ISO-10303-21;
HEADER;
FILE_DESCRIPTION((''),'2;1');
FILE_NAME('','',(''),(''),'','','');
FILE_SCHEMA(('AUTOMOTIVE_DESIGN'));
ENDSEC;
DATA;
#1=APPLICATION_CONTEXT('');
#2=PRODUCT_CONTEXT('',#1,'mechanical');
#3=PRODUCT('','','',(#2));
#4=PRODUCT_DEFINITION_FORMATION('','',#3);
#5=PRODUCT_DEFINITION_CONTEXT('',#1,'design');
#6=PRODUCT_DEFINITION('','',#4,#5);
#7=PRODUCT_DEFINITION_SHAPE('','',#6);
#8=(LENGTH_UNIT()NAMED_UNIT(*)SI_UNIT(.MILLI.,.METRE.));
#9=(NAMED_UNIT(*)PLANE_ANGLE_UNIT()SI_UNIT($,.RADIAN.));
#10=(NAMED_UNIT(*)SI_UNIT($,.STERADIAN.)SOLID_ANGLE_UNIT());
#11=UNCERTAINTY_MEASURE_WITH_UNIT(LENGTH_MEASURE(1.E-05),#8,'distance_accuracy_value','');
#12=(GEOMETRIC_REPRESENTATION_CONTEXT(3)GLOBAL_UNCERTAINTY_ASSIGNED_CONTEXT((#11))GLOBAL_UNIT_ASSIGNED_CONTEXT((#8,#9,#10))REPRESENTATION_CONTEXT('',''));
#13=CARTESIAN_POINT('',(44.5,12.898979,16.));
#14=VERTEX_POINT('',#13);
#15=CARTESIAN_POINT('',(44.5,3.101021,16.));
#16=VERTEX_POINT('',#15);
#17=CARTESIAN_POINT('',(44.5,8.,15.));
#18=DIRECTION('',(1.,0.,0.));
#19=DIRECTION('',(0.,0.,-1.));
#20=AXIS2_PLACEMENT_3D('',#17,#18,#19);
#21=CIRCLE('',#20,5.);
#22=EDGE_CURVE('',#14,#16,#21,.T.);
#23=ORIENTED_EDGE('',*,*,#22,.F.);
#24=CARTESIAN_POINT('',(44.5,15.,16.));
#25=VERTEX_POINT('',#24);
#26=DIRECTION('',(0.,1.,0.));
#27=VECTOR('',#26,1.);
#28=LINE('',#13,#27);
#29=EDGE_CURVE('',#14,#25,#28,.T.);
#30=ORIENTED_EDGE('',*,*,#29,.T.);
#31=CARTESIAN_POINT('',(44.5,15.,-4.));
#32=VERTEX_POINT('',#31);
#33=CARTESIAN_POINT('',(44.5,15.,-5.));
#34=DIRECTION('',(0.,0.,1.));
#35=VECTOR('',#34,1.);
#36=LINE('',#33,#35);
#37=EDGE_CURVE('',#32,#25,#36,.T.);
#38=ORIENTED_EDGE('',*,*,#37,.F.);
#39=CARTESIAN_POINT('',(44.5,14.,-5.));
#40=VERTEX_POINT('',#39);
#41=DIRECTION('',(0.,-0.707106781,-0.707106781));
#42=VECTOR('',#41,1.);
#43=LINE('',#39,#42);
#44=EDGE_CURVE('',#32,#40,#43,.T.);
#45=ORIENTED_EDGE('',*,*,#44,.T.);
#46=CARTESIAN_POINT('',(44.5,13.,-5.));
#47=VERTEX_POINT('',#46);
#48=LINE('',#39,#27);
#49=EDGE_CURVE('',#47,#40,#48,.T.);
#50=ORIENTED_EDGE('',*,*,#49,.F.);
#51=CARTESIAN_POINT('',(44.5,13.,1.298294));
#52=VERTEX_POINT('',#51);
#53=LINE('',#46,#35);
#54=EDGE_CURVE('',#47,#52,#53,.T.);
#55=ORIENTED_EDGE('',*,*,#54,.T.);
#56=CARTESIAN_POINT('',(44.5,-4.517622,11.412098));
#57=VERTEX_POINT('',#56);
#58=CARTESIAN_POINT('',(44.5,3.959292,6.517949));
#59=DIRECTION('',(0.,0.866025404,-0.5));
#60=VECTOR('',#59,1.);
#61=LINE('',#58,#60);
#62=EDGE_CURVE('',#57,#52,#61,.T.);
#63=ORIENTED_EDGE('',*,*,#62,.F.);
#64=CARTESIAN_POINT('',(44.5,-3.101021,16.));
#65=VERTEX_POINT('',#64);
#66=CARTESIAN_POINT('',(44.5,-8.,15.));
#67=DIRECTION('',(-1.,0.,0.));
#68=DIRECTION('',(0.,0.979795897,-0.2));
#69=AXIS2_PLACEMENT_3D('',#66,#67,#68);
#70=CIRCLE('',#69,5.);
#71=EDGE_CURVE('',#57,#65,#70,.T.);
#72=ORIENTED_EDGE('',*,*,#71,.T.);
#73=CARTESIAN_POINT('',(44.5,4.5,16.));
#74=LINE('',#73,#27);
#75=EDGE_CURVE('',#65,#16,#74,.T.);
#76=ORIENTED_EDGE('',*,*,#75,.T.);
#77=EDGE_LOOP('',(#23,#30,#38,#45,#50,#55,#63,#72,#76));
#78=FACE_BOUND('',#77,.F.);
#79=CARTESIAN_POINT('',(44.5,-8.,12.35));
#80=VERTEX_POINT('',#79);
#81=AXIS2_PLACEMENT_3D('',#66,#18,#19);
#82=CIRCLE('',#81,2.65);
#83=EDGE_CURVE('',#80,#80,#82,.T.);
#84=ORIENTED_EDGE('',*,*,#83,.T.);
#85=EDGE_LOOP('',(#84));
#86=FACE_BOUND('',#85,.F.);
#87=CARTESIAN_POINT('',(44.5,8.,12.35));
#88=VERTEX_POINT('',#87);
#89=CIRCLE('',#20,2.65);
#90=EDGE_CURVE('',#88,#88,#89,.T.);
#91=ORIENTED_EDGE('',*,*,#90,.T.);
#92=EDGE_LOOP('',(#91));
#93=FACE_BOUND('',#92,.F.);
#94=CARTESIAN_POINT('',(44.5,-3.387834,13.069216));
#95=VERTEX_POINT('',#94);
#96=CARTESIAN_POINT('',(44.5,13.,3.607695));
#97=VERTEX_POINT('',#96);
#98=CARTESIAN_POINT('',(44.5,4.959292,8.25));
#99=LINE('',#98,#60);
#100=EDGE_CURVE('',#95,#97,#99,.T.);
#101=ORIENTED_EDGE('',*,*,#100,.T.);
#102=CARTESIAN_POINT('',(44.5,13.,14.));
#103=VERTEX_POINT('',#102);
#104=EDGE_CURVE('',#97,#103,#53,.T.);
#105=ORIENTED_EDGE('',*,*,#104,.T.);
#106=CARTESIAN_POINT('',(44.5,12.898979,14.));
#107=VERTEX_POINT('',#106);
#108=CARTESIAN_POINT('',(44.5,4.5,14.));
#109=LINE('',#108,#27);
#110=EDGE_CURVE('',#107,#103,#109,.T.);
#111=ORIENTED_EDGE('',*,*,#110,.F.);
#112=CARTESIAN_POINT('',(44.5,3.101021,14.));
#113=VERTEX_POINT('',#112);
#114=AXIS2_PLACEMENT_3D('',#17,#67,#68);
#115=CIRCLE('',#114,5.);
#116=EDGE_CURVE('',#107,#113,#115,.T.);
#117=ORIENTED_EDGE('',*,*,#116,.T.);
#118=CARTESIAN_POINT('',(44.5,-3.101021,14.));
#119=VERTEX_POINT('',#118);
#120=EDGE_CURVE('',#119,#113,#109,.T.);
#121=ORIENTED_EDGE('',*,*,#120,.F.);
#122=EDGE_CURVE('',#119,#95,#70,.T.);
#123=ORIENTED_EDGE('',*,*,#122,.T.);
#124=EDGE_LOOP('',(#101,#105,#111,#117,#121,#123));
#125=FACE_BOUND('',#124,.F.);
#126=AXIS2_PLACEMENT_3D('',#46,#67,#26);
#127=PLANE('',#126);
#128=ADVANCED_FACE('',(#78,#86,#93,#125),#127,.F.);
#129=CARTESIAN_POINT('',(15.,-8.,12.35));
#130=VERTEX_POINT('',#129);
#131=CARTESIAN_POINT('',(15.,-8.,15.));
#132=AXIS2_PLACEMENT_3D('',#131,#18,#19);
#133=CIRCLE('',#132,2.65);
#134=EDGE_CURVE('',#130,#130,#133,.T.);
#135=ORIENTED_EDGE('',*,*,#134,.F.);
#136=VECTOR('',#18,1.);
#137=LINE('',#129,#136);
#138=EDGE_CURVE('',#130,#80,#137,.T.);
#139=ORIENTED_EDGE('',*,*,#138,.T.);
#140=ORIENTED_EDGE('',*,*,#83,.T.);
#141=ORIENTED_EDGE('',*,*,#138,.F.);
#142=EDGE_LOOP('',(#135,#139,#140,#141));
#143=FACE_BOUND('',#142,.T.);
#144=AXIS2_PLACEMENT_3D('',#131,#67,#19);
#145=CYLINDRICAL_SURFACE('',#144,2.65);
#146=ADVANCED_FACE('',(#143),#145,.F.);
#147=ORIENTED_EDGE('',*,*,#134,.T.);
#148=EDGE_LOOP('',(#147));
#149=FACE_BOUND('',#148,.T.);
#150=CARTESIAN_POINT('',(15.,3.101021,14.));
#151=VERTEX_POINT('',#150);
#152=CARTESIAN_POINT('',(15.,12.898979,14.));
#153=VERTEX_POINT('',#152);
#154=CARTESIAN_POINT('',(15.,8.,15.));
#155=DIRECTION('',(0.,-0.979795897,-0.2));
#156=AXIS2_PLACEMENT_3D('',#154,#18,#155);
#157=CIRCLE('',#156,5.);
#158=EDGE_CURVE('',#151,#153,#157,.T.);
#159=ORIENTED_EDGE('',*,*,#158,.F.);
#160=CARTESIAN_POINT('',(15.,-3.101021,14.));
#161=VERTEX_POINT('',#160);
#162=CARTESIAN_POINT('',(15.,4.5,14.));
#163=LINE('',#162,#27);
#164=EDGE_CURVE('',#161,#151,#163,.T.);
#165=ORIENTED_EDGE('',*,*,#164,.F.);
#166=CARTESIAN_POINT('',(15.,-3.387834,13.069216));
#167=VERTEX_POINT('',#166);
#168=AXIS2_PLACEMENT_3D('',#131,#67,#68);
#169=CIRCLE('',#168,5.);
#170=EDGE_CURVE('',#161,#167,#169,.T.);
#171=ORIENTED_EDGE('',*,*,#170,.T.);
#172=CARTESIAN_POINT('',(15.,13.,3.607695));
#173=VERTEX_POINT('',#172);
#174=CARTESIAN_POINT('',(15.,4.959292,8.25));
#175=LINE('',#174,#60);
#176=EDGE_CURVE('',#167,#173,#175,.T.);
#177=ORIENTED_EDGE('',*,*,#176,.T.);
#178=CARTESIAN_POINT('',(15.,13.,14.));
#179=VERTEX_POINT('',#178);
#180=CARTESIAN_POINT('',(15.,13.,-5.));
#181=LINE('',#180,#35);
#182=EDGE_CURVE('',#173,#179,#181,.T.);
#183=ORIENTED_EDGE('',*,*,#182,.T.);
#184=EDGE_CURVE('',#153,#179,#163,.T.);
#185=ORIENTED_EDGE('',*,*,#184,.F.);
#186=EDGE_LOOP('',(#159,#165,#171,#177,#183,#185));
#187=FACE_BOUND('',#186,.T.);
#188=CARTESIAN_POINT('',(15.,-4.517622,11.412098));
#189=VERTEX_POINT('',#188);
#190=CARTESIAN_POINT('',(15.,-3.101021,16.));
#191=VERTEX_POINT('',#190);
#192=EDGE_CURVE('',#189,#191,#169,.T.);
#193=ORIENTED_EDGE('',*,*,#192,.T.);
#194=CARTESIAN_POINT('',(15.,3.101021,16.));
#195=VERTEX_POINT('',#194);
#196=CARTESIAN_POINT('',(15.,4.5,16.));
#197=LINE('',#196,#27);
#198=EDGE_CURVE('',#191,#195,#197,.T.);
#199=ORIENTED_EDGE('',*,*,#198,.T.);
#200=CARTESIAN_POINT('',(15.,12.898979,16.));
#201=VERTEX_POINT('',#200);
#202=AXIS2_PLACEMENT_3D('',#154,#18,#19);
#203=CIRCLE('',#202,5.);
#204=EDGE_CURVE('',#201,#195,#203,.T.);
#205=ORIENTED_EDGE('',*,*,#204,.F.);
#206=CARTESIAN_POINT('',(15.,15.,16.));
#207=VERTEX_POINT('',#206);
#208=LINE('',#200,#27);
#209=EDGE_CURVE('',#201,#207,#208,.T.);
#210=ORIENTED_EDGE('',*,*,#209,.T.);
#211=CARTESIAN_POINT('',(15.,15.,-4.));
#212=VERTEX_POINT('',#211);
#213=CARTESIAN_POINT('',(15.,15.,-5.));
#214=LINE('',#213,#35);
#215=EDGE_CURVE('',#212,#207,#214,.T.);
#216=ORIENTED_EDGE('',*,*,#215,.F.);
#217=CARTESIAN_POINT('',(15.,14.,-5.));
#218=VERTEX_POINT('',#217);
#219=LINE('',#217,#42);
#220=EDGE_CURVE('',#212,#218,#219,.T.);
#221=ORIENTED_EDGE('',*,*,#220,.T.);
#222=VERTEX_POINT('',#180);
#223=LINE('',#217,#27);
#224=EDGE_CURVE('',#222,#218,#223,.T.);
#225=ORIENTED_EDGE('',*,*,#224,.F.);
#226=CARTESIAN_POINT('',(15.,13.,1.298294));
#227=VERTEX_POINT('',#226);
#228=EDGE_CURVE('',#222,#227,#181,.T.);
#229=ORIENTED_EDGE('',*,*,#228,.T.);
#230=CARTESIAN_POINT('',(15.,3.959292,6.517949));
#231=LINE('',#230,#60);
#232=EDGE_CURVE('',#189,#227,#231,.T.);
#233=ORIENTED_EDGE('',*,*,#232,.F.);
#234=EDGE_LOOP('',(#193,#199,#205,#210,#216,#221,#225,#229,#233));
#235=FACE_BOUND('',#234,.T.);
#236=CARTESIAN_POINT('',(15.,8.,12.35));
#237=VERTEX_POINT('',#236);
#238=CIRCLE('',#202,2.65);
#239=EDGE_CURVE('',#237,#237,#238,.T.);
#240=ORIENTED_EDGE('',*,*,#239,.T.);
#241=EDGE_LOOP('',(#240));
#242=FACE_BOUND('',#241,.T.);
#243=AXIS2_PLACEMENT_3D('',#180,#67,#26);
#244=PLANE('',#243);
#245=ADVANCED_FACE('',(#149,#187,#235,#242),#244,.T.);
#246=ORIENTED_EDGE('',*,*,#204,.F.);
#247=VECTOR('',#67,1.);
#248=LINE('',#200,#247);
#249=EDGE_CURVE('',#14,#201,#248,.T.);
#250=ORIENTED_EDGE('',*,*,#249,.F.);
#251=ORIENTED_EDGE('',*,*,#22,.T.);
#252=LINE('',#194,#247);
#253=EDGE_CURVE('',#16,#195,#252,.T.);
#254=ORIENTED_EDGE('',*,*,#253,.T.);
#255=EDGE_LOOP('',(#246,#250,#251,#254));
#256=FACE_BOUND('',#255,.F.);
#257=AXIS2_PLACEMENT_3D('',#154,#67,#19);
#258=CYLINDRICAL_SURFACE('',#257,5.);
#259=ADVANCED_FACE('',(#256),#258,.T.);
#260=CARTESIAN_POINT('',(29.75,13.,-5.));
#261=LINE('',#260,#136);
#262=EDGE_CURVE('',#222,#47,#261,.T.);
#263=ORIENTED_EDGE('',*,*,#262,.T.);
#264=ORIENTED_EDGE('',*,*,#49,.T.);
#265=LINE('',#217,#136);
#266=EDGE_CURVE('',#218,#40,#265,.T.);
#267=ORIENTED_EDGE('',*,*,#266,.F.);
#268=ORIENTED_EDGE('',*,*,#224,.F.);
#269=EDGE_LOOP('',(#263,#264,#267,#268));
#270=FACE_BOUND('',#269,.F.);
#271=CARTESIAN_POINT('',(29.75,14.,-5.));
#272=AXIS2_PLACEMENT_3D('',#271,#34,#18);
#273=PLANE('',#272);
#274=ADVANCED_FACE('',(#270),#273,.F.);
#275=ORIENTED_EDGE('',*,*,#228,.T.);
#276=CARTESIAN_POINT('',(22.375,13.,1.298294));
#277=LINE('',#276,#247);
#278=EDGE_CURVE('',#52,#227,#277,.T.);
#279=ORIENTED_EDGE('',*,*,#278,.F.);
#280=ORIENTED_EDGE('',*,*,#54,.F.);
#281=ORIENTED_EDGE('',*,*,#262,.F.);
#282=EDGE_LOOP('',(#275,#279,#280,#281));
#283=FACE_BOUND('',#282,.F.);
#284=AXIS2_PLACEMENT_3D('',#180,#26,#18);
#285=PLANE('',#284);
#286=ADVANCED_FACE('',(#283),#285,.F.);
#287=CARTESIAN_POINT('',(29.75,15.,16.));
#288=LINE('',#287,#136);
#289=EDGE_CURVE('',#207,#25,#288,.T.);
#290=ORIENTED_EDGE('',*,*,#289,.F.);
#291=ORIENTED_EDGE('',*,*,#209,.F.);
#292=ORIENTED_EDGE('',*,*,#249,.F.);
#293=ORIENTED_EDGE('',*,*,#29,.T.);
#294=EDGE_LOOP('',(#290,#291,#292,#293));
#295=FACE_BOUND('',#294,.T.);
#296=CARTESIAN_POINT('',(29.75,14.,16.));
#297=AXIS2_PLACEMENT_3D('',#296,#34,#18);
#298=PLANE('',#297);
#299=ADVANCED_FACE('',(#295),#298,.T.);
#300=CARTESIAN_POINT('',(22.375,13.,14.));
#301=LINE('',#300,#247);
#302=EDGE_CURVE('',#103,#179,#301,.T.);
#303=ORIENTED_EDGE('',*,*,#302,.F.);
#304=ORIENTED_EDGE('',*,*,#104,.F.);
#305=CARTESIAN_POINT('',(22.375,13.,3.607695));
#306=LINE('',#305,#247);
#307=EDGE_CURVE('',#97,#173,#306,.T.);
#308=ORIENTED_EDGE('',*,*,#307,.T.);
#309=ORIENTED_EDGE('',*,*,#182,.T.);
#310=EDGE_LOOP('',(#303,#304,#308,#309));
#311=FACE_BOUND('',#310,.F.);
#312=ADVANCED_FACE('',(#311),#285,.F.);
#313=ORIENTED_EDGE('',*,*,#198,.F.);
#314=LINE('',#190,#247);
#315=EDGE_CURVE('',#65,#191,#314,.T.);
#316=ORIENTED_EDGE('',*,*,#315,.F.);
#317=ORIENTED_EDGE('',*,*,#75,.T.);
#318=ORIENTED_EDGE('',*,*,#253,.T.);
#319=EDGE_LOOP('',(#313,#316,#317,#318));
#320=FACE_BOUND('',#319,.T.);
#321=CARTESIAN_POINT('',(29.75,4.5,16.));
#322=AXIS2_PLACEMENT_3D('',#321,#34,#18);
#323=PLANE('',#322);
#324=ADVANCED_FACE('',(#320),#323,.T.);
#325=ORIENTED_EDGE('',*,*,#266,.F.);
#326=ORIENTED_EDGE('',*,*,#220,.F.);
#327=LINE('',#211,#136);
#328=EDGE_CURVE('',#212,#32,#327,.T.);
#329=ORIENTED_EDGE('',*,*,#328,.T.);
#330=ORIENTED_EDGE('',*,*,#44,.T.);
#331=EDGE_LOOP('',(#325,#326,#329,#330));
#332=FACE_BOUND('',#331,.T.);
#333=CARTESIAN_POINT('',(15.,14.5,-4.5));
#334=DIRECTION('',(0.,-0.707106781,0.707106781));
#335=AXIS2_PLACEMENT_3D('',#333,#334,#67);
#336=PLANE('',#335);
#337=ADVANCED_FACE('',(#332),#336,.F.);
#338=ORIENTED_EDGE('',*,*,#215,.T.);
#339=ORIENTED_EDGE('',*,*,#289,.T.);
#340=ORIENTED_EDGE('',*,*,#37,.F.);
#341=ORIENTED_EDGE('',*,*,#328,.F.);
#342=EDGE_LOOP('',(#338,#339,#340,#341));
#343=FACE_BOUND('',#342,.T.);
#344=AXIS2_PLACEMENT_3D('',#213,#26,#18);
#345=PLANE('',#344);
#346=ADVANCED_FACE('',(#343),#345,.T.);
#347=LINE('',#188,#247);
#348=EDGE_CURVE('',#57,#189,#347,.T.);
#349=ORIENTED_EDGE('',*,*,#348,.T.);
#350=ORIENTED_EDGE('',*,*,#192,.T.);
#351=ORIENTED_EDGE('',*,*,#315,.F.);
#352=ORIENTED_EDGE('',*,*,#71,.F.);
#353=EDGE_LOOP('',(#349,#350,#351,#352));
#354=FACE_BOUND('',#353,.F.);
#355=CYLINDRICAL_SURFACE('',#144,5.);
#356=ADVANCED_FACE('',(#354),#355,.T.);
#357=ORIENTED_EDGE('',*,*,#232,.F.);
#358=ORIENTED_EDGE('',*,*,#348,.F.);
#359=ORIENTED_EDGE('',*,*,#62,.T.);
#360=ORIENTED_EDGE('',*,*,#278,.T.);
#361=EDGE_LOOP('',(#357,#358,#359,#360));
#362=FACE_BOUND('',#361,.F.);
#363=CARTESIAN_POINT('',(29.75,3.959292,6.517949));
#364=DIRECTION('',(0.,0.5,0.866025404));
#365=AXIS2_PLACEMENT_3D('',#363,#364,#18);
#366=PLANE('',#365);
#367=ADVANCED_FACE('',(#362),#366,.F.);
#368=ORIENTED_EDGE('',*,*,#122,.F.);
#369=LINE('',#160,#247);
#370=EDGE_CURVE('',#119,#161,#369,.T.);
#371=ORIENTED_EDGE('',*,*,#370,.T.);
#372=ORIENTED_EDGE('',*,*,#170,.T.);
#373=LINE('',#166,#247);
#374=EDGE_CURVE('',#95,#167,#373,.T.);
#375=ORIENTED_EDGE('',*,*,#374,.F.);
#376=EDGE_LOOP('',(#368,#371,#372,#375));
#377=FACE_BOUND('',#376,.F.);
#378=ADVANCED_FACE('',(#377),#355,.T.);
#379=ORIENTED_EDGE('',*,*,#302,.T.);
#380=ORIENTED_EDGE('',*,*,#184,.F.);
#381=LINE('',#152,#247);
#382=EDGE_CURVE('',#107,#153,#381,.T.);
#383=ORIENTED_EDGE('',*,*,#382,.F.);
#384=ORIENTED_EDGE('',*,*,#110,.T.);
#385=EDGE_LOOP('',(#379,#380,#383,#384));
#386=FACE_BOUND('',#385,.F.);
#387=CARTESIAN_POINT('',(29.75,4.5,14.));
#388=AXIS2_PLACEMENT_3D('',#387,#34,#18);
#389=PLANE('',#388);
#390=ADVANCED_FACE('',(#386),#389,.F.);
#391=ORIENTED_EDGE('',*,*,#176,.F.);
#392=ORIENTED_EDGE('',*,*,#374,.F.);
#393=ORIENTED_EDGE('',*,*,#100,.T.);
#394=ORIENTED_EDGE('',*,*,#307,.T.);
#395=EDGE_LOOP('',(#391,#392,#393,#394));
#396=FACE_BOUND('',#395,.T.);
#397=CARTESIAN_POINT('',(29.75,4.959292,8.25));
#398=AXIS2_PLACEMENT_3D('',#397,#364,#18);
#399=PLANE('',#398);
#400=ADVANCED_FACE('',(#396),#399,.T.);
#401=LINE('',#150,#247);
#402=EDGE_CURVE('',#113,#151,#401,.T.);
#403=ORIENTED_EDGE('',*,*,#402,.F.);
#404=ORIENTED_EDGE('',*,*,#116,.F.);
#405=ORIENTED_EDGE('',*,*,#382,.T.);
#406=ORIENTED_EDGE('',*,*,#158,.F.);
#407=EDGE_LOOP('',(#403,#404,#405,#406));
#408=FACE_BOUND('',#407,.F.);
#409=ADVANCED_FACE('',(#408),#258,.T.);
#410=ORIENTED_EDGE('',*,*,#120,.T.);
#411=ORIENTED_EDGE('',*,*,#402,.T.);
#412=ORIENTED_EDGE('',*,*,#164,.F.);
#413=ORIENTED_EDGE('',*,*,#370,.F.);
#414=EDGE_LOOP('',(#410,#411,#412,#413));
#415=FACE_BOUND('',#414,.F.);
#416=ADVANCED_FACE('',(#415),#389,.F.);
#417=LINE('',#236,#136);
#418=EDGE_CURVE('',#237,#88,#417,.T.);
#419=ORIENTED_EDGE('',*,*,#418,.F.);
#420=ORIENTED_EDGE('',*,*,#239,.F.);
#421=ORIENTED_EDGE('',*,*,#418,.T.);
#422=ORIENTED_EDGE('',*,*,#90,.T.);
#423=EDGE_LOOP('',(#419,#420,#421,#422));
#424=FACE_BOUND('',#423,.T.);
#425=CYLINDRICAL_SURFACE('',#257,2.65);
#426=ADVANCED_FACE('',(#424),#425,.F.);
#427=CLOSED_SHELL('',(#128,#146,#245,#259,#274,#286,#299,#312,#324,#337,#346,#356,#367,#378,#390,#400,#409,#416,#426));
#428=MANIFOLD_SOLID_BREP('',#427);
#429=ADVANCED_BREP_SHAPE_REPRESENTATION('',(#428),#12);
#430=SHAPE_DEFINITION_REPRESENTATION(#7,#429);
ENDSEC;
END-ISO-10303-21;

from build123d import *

# Parameters (mm, degrees)
CYLINDER045_R          = 2.65
CYLINDER045_DEPTH      = 29.5
CYLINDER046_R          = 2.65
CYLINDER046_DEPTH      = 29.5
BOX040_W               = 29.5
BOX040_H               = 19
BOX040_DEPTH           = 2
BOX039_W               = 29.5
BOX039_H               = 23
BOX039_DEPTH           = 2
BOX039_PLACEMENT_ANGLE = 30
CYLINDER043_R          = 5
CYLINDER043_DEPTH      = 29.5
BOX041_W               = 29.5
BOX041_H               = 2
BOX041_DEPTH           = 21
CYLINDER044_R          = 5
CYLINDER044_DEPTH      = 29.5
CHAMFER006035_SIZE     = 1


with BuildPart() as cylinder045:
    # Cylinder045 → Cylinder045 (new body)
    with BuildSketch(Plane(origin=(15, -8, 15), x_dir=(0, 0, -1), z_dir=(1, 0, 0))):
        Circle(CYLINDER045_R)
    extrude(amount=CYLINDER045_DEPTH)


with BuildPart() as fusion020006007003002009018004004012:
    # Cylinder046 → Cylinder046 (new body)
    with BuildSketch(Plane(origin=(15, 8, 15), x_dir=(0, 0, -1), z_dir=(1, 0, 0))):
        Circle(CYLINDER046_R)
    extrude(amount=CYLINDER046_DEPTH)

    # Fusion020006007003002009018004004012: union Cylinder045
    add(cylinder045.part)


with BuildPart() as cube040:
    # Box040 → Box040 (new body)
    with BuildSketch(Plane(origin=(15, -5, 14), x_dir=(1, 0, 0), z_dir=(0, 0, 1))):
        with Locations((14.75, 9.5)):
            Rectangle(BOX040_W, BOX040_H)
    extrude(amount=BOX040_DEPTH)


with BuildPart() as cube039:
    # Box039 → Box039 (new body)
    with BuildSketch(Plane.XY):
        with Locations((14.75, 11.5)):
            Rectangle(BOX039_W, BOX039_H)
    extrude(amount=BOX039_DEPTH)


with BuildPart() as cube039_1:
    # Box039 placement: moved
    add(cube039.part.moved(Location((15, -6, 12.267949))).rotate(Axis((15, -6, 12.267949), (-1, 0, 0)), BOX039_PLACEMENT_ANGLE))


with BuildPart() as cylinder043:
    # Cylinder043 → Cylinder043 (new body)
    with BuildSketch(Plane(origin=(15, 8, 15), x_dir=(0, 0, -1), z_dir=(1, 0, 0))):
        Circle(CYLINDER043_R)
    extrude(amount=CYLINDER043_DEPTH)


with BuildPart() as cube041:
    # Box041 → Box041 (new body)
    with BuildSketch(Plane(origin=(15, 13, -5), x_dir=(1, 0, 0), z_dir=(0, 0, 1))):
        with Locations((14.75, 1)):
            Rectangle(BOX041_W, BOX041_H)
    extrude(amount=BOX041_DEPTH)


with BuildPart() as bottom_back_30mm_wall:
    # Cylinder044 → Cylinder044 (new body)
    with BuildSketch(Plane(origin=(15, -8, 15), x_dir=(0, 0, -1), z_dir=(1, 0, 0))):
        Circle(CYLINDER044_R)
    extrude(amount=CYLINDER044_DEPTH)

    # Fusion020006007003002009018004004011: union Cube040, Cube039, Cylinder043, Cube041
    add(cube040.part)
    add(cube039_1.part)
    add(cylinder043.part)
    add(cube041.part)

    # Chamfer006035
    chamfer006035_edges = [bottom_back_30mm_wall.edges().sort_by_distance(p)[0] for p in [
        (29.75, 15, -5),
    ]]
    chamfer(chamfer006035_edges, length=CHAMFER006035_SIZE)

    # Cut019003004: cut Fusion020006007003002009018004004012
    add(fusion020006007003002009018004004012.part, mode=Mode.SUBTRACT)


solid = bottom_back_30mm_wall.part
